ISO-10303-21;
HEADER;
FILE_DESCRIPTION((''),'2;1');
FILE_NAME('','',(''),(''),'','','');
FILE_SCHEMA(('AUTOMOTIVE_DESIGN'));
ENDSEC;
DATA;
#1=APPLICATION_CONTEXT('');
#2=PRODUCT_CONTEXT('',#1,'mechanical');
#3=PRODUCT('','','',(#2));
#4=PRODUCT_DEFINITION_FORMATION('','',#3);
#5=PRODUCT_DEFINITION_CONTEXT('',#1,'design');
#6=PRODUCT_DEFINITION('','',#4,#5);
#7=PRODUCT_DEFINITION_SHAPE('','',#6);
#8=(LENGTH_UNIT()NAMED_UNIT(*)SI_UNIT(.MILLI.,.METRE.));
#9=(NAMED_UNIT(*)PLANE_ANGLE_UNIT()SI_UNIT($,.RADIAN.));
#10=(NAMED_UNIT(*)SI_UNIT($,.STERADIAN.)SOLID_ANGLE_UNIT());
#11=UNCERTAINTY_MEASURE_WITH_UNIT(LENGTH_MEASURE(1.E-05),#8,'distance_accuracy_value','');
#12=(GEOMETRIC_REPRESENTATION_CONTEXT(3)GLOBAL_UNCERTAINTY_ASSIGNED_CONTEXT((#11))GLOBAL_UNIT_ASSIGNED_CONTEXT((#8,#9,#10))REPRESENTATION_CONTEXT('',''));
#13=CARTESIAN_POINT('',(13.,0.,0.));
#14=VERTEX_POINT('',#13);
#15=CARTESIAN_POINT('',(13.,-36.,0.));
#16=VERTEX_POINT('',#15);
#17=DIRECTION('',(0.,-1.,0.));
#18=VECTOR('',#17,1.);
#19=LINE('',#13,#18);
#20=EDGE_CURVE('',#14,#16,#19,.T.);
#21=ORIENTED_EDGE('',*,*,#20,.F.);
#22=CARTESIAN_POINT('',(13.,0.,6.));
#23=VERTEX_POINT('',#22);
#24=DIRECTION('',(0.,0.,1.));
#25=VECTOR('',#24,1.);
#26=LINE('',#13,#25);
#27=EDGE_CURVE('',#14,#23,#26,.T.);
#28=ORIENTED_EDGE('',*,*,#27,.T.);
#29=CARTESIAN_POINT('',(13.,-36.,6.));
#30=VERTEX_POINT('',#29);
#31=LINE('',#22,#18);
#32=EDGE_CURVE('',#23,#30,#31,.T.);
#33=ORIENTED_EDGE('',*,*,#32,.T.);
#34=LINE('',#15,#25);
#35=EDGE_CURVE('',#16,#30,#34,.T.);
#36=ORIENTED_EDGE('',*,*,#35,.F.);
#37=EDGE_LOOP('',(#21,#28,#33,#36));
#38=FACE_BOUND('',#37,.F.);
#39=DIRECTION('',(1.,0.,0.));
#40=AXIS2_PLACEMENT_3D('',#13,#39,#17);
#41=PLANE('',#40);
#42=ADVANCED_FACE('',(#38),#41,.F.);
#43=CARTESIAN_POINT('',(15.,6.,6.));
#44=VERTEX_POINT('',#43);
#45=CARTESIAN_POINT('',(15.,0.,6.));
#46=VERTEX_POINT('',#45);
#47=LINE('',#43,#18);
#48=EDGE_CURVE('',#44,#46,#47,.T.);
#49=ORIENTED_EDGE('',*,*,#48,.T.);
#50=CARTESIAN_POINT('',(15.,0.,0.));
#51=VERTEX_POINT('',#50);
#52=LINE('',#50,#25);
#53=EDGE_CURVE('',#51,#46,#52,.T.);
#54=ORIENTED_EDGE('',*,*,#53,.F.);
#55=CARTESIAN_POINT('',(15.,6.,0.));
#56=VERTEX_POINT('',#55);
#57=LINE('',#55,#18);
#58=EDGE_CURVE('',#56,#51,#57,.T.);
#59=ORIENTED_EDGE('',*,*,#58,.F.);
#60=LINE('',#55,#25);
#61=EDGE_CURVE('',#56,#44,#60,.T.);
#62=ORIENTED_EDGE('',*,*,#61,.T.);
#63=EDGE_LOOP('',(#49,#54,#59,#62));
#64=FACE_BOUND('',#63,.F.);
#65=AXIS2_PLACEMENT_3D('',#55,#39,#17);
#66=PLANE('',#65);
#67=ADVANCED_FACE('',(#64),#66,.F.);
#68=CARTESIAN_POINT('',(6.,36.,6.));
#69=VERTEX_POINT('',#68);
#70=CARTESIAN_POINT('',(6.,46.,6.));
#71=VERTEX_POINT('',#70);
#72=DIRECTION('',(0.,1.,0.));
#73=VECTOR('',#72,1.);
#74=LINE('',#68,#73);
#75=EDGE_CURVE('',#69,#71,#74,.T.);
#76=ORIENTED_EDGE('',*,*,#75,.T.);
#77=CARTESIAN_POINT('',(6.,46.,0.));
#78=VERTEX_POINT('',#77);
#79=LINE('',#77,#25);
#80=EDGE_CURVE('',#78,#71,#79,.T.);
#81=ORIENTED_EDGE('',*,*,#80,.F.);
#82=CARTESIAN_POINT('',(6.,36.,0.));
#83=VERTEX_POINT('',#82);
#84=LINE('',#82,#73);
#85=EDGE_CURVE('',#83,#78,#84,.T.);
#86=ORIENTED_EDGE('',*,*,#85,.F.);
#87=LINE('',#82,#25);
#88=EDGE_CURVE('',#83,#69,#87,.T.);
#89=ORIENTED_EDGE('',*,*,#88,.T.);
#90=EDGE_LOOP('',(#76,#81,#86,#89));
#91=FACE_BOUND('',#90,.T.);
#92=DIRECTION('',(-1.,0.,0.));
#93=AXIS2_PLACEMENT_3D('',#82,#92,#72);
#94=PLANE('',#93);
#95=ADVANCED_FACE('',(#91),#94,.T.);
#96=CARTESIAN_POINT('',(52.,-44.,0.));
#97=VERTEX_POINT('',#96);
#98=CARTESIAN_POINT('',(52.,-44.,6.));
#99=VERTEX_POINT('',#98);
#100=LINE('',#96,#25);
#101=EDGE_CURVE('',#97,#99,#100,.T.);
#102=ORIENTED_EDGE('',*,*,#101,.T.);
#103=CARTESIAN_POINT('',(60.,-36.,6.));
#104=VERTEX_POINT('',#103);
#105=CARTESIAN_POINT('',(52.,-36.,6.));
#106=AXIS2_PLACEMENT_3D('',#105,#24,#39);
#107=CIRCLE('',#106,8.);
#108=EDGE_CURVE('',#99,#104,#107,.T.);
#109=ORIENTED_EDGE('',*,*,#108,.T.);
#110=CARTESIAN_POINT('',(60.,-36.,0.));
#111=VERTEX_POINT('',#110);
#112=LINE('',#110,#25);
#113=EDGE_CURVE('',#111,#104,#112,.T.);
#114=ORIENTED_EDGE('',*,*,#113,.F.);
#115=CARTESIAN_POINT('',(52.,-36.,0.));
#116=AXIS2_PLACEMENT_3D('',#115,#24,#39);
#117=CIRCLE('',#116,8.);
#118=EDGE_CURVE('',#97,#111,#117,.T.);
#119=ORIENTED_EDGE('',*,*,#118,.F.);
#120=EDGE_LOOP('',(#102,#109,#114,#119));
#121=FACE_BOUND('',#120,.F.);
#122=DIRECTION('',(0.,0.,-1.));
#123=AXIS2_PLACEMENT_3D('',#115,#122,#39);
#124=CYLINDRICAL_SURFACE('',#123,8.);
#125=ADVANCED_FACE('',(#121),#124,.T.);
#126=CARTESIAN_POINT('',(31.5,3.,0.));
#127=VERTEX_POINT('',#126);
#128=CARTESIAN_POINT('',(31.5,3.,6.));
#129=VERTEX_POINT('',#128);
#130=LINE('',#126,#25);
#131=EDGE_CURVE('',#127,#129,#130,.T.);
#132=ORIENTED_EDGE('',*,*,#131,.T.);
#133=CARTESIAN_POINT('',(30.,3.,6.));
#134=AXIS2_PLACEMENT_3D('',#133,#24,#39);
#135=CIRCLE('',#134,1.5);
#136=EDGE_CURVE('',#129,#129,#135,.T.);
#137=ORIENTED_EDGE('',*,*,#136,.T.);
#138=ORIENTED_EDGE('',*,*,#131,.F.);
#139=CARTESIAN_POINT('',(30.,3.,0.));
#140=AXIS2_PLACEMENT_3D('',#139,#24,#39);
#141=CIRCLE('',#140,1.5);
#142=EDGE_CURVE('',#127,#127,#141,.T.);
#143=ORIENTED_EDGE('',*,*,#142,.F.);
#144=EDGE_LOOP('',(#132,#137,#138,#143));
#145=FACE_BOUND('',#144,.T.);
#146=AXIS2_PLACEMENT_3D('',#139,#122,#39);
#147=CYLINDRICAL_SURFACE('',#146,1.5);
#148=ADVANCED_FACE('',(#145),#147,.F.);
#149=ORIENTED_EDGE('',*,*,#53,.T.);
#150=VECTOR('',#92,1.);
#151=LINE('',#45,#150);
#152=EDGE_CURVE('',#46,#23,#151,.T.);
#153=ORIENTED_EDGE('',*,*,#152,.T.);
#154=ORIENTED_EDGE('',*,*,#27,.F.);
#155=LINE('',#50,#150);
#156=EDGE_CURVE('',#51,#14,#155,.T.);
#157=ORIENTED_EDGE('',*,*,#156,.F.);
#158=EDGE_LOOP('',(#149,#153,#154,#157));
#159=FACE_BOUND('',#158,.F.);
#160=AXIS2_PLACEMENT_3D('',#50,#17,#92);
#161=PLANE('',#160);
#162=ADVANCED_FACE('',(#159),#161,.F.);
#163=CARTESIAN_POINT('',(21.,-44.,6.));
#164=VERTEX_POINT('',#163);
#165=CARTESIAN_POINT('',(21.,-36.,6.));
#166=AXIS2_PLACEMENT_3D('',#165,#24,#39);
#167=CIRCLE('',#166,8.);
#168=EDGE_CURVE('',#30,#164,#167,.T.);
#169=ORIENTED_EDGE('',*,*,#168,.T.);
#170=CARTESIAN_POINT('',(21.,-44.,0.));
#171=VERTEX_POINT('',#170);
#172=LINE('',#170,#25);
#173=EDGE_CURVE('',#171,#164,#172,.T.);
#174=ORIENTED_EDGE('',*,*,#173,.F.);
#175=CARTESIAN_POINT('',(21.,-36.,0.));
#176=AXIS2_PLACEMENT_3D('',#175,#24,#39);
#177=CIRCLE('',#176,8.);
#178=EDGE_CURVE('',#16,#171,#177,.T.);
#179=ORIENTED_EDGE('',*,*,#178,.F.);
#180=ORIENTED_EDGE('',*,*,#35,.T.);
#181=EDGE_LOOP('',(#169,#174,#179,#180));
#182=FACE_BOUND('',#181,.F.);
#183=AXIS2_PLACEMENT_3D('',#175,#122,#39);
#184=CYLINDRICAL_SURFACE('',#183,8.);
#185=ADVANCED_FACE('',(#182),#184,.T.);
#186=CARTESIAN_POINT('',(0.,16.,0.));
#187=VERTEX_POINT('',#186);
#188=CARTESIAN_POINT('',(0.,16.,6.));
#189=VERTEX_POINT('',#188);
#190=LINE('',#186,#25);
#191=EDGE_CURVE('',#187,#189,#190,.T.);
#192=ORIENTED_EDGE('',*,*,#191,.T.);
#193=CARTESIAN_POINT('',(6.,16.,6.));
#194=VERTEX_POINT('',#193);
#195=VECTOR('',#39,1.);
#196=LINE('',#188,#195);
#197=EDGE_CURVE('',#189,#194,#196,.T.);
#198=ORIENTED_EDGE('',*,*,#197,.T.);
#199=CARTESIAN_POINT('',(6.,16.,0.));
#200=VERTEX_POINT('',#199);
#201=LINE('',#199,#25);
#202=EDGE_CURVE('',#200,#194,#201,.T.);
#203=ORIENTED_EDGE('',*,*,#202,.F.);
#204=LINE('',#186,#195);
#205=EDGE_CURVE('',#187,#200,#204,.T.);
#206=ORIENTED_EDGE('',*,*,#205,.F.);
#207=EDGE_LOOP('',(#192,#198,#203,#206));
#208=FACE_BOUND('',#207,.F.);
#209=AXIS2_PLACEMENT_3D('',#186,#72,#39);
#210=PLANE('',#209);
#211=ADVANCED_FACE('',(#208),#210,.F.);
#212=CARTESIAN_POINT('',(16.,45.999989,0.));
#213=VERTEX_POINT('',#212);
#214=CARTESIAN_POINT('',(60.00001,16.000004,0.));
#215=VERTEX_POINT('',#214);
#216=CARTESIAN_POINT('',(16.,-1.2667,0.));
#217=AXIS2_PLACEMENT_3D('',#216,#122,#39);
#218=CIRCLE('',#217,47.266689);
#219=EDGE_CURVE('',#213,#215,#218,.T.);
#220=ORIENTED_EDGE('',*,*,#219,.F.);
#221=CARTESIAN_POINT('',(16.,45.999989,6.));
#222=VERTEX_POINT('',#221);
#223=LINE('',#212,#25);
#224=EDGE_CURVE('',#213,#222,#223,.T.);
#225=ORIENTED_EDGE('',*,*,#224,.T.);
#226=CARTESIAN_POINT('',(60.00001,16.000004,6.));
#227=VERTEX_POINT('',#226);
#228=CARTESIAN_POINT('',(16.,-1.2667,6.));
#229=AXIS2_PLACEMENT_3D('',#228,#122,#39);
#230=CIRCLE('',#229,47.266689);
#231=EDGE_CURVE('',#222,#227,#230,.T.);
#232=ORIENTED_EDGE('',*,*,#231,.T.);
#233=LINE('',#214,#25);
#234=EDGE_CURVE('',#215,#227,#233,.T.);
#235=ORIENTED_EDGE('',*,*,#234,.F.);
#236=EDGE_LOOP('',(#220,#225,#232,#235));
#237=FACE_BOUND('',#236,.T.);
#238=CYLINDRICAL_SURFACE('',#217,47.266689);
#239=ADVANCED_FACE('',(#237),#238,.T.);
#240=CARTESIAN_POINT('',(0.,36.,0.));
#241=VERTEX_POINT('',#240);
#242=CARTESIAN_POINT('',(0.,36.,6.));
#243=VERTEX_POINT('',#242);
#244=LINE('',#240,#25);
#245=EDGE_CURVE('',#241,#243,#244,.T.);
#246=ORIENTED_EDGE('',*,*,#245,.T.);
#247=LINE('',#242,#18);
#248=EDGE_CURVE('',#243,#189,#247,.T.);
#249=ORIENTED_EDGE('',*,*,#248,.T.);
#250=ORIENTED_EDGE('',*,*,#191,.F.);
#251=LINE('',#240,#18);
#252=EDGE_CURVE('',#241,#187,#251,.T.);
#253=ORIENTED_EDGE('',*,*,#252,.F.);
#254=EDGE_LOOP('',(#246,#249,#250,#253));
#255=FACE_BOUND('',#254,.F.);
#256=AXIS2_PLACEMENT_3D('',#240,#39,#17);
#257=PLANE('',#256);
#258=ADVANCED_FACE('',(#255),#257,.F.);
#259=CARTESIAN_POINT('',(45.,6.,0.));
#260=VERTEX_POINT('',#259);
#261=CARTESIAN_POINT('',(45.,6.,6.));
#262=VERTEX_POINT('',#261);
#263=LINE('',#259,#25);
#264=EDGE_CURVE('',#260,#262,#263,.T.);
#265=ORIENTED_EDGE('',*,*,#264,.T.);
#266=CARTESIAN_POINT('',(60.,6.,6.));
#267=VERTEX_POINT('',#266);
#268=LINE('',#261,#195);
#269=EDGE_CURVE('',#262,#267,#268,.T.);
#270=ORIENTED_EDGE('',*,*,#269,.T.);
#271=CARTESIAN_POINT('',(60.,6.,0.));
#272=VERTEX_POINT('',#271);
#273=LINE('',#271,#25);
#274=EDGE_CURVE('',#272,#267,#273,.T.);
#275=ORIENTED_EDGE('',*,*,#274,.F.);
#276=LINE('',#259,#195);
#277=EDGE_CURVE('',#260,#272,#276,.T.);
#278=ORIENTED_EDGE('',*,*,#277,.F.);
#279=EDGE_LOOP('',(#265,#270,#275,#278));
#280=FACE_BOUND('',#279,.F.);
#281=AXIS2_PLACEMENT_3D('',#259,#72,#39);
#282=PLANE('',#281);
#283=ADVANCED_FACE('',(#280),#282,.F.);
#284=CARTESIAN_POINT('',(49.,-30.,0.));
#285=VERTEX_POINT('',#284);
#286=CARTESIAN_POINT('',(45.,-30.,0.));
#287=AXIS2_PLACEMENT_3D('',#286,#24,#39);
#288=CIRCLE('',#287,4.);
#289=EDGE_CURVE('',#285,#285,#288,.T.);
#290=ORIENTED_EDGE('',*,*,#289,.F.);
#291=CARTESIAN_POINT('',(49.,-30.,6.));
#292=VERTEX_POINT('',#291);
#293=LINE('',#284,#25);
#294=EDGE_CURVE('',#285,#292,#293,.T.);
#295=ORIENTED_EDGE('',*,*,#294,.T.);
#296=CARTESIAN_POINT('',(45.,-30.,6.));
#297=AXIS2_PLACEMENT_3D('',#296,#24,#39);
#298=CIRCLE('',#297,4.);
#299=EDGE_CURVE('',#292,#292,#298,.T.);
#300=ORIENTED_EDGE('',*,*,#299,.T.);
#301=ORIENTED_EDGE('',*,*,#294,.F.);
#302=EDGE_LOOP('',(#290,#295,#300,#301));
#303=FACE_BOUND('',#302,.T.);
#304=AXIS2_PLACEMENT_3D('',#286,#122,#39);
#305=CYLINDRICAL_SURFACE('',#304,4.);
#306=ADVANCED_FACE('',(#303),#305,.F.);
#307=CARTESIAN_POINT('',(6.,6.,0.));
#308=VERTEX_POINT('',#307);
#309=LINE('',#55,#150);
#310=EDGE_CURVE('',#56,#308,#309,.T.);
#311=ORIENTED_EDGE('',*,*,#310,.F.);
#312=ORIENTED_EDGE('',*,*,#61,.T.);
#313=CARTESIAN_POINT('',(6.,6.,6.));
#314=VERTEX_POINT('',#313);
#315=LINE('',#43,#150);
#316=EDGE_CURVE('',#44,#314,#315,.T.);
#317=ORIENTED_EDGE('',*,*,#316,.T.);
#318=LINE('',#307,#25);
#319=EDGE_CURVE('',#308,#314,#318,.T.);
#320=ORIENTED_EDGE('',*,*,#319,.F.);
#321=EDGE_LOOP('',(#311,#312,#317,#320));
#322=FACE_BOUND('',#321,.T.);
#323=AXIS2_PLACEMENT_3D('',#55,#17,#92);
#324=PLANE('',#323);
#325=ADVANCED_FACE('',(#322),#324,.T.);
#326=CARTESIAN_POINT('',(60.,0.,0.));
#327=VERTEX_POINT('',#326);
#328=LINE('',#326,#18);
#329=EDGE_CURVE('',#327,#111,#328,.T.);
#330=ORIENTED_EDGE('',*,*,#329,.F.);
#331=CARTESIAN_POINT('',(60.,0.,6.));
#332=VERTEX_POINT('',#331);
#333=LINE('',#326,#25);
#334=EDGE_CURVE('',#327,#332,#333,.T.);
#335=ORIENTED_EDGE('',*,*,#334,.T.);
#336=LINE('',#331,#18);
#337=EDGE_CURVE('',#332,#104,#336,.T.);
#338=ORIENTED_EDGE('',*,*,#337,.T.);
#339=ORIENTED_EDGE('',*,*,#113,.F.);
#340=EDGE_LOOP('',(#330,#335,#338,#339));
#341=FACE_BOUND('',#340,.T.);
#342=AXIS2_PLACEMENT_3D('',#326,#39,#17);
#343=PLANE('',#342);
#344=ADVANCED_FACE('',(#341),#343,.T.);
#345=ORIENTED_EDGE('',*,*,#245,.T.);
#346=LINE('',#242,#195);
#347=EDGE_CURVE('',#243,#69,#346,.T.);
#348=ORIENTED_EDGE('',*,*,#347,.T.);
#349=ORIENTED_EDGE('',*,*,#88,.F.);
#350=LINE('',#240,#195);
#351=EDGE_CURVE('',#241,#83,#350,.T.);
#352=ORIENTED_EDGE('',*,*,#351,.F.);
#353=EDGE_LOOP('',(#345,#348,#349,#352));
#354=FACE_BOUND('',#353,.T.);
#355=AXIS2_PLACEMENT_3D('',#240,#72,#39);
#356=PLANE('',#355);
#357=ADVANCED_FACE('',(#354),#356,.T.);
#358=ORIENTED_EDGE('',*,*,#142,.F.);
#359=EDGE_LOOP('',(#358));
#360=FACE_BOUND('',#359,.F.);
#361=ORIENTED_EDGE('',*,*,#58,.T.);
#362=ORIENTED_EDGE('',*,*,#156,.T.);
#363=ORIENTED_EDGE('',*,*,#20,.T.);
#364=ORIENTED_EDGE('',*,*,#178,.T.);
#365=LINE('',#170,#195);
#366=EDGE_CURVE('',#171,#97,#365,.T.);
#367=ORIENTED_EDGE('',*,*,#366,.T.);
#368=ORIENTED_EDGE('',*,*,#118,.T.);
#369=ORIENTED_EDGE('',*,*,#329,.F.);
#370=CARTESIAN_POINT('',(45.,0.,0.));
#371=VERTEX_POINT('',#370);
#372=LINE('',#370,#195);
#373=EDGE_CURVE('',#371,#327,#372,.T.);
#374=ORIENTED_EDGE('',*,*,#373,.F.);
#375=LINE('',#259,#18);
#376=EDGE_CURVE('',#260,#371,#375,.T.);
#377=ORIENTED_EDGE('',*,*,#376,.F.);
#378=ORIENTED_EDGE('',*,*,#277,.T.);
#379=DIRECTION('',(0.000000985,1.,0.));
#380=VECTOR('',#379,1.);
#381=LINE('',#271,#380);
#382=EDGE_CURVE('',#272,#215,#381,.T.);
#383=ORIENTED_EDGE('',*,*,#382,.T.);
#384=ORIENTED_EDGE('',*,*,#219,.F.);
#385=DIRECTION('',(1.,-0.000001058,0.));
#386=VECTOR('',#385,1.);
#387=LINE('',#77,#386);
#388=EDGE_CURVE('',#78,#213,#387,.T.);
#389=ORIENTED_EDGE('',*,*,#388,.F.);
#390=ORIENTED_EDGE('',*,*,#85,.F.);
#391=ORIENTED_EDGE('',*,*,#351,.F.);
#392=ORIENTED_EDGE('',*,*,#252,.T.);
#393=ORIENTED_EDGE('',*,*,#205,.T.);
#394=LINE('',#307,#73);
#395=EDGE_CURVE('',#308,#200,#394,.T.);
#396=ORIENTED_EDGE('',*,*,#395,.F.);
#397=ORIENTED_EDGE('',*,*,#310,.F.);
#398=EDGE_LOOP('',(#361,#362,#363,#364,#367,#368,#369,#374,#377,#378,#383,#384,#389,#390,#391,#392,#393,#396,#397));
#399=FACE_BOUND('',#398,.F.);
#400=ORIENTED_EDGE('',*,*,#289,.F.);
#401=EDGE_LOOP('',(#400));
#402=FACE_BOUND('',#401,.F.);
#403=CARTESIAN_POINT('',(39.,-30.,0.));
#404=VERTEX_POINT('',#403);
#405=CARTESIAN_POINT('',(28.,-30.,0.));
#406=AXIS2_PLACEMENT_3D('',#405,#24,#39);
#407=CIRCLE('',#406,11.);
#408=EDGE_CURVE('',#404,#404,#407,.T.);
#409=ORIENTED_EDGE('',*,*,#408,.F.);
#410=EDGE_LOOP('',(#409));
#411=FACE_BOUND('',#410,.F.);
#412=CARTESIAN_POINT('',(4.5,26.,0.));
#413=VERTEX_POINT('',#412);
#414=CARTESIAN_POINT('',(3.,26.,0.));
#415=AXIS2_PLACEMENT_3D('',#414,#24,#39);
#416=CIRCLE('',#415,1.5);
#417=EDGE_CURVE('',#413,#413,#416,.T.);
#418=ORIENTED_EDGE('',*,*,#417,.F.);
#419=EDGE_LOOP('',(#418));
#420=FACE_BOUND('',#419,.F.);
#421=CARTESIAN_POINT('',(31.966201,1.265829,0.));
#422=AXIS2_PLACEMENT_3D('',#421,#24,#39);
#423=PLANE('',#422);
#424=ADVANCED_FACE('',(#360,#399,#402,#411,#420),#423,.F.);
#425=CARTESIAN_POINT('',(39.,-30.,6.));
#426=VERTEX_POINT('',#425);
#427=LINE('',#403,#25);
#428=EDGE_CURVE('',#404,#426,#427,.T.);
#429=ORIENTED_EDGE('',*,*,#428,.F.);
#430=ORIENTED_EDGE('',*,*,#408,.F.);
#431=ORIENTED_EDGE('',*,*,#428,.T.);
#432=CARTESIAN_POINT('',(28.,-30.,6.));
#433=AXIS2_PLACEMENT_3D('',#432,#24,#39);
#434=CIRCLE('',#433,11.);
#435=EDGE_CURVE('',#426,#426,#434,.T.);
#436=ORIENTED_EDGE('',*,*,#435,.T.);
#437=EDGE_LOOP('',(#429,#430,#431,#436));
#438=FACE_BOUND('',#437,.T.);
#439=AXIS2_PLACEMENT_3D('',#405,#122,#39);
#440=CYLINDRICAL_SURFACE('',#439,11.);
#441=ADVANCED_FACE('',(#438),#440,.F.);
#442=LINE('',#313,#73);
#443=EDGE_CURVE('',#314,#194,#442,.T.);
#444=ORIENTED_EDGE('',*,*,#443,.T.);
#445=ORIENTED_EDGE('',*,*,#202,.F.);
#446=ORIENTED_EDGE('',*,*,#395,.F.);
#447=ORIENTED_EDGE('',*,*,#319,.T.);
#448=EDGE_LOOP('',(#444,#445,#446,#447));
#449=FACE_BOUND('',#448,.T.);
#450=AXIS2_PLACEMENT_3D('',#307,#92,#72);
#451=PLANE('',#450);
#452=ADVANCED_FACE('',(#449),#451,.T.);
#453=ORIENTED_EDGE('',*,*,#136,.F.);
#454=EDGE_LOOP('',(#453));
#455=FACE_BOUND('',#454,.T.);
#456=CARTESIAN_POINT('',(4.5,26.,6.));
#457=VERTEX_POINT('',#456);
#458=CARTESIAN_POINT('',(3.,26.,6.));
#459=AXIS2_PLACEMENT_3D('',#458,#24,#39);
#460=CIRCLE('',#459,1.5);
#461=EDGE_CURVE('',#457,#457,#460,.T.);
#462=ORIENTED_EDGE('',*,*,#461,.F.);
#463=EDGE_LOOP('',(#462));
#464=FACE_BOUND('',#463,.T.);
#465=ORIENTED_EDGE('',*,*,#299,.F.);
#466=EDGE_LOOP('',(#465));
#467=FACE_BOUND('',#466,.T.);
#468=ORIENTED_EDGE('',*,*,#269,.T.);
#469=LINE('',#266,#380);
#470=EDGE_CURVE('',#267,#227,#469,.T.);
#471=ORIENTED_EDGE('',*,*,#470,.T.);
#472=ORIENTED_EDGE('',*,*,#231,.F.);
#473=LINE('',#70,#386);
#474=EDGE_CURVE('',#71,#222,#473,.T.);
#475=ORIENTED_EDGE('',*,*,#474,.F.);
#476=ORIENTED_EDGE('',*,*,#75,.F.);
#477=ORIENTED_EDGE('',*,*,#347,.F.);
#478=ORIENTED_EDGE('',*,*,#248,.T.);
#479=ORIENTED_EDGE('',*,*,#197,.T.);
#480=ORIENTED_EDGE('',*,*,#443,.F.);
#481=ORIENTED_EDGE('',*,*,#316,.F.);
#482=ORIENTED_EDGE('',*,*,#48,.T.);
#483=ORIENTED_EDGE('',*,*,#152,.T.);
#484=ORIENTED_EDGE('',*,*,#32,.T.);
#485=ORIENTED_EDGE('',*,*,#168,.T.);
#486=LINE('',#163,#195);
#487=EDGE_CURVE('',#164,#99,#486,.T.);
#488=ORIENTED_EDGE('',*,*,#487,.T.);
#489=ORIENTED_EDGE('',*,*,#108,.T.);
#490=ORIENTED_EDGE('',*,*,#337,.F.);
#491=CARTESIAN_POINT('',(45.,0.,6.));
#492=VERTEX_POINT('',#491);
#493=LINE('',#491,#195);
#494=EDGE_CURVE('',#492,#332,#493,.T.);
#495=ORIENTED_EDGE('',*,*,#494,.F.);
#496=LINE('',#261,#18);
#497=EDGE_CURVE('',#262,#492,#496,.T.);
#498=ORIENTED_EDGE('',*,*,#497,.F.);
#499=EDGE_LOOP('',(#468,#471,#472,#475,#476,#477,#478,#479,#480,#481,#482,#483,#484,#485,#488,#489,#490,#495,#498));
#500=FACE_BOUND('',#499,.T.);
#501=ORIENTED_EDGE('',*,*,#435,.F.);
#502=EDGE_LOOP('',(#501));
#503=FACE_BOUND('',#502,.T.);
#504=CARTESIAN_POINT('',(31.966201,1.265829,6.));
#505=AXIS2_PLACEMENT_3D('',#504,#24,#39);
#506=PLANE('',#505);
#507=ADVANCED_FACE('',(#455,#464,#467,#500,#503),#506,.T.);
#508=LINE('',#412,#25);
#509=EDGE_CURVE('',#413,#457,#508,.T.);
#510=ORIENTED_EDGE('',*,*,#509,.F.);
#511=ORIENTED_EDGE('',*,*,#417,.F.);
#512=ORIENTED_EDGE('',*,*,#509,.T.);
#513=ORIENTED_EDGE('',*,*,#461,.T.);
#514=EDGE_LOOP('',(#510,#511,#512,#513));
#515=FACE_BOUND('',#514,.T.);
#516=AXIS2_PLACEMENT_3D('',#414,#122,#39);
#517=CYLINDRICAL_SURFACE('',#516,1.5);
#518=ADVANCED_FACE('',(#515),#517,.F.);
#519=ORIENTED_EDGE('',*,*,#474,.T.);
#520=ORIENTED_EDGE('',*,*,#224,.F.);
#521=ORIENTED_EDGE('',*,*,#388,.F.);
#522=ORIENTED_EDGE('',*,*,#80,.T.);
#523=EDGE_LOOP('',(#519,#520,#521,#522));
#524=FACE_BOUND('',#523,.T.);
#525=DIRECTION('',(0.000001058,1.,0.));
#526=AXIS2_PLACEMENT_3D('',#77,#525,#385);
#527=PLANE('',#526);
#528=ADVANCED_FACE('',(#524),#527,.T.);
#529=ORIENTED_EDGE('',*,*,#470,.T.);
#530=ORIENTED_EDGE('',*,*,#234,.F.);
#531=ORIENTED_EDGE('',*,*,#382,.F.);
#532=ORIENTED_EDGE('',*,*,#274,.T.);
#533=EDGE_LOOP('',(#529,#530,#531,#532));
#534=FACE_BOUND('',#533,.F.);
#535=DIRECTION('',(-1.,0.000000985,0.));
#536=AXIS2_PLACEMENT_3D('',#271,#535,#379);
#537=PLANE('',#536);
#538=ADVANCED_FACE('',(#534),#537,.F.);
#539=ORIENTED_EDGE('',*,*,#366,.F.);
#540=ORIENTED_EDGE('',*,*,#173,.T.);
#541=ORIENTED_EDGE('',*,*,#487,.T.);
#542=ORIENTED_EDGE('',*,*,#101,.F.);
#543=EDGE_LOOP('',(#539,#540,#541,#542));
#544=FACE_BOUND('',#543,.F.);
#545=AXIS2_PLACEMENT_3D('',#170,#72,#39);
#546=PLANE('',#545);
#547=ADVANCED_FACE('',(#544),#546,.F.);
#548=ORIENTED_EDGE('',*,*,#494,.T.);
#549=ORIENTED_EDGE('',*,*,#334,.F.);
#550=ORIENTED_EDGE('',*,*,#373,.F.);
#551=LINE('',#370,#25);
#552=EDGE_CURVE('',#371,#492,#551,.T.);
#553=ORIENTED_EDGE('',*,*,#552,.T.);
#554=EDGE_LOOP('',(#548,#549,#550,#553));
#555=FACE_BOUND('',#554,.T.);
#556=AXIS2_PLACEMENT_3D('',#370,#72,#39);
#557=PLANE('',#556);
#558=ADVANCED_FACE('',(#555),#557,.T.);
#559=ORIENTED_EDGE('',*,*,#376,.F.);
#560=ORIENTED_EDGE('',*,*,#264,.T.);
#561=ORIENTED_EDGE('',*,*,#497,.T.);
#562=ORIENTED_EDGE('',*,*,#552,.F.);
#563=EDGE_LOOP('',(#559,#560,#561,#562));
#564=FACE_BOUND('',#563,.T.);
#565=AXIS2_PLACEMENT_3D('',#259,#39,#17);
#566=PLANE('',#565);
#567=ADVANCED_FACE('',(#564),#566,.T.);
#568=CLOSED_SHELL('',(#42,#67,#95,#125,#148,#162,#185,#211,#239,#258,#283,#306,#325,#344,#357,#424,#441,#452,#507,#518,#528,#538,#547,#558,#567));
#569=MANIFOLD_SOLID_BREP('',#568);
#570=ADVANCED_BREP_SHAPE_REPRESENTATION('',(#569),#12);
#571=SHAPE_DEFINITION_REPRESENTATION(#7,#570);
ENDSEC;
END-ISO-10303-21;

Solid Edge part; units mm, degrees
sketch "Sketch1" plane through (0, 0, 0) normal (0, 0, 1) x (1, 0, 0)
  circle A0 centre (45, -30) radius 4
  circle A1 centre (28, -30) radius 11
  circle A2 centre (30, 3) radius 1.5
  circle A3 centre (3, 26) radius 1.5
  line L0 (15, 6) -> (15, 0)
  line L1 (15, 0) -> (13, 0)
  line L2 (13, 0) -> (13, -36)
  arc A4 (13, -36) -> (21, -44) centre (21, -36) ccw
  line L3 (21, -44) -> (52, -44)
  arc A5 (52, -44) -> (60, -36) centre (52, -36) ccw
  line L4 (60, 0) -> (60, -36)
  line L5 (45, 0) -> (60, 0)
  line L6 (45, 6) -> (45, 0)
  line L7 (45, 6) -> (60, 6)
  line L8 (60, 6) -> (60, 16)
  arc A6 (16, 46) -> (60, 16) centre (16, -1.2667) cw
  line L9 (6, 46) -> (16, 46)
  line L10 (6, 36) -> (6, 46)
  line L11 (0, 36) -> (6, 36)
  line L12 (0, 36) -> (0, 16)
  line L13 (0, 16) -> (6, 16)
  line L14 (6, 6) -> (6, 16)
  line L15 (15, 6) -> (6, 6)
  dimension "D1" = 36
  dimension "D2" = 6
  dimension "D3" = 6
  dimension "D4" = 15
  dimension "D5" = 2
extrude "Protrusion1" add sketch "Sketch1" along normal blind 6
